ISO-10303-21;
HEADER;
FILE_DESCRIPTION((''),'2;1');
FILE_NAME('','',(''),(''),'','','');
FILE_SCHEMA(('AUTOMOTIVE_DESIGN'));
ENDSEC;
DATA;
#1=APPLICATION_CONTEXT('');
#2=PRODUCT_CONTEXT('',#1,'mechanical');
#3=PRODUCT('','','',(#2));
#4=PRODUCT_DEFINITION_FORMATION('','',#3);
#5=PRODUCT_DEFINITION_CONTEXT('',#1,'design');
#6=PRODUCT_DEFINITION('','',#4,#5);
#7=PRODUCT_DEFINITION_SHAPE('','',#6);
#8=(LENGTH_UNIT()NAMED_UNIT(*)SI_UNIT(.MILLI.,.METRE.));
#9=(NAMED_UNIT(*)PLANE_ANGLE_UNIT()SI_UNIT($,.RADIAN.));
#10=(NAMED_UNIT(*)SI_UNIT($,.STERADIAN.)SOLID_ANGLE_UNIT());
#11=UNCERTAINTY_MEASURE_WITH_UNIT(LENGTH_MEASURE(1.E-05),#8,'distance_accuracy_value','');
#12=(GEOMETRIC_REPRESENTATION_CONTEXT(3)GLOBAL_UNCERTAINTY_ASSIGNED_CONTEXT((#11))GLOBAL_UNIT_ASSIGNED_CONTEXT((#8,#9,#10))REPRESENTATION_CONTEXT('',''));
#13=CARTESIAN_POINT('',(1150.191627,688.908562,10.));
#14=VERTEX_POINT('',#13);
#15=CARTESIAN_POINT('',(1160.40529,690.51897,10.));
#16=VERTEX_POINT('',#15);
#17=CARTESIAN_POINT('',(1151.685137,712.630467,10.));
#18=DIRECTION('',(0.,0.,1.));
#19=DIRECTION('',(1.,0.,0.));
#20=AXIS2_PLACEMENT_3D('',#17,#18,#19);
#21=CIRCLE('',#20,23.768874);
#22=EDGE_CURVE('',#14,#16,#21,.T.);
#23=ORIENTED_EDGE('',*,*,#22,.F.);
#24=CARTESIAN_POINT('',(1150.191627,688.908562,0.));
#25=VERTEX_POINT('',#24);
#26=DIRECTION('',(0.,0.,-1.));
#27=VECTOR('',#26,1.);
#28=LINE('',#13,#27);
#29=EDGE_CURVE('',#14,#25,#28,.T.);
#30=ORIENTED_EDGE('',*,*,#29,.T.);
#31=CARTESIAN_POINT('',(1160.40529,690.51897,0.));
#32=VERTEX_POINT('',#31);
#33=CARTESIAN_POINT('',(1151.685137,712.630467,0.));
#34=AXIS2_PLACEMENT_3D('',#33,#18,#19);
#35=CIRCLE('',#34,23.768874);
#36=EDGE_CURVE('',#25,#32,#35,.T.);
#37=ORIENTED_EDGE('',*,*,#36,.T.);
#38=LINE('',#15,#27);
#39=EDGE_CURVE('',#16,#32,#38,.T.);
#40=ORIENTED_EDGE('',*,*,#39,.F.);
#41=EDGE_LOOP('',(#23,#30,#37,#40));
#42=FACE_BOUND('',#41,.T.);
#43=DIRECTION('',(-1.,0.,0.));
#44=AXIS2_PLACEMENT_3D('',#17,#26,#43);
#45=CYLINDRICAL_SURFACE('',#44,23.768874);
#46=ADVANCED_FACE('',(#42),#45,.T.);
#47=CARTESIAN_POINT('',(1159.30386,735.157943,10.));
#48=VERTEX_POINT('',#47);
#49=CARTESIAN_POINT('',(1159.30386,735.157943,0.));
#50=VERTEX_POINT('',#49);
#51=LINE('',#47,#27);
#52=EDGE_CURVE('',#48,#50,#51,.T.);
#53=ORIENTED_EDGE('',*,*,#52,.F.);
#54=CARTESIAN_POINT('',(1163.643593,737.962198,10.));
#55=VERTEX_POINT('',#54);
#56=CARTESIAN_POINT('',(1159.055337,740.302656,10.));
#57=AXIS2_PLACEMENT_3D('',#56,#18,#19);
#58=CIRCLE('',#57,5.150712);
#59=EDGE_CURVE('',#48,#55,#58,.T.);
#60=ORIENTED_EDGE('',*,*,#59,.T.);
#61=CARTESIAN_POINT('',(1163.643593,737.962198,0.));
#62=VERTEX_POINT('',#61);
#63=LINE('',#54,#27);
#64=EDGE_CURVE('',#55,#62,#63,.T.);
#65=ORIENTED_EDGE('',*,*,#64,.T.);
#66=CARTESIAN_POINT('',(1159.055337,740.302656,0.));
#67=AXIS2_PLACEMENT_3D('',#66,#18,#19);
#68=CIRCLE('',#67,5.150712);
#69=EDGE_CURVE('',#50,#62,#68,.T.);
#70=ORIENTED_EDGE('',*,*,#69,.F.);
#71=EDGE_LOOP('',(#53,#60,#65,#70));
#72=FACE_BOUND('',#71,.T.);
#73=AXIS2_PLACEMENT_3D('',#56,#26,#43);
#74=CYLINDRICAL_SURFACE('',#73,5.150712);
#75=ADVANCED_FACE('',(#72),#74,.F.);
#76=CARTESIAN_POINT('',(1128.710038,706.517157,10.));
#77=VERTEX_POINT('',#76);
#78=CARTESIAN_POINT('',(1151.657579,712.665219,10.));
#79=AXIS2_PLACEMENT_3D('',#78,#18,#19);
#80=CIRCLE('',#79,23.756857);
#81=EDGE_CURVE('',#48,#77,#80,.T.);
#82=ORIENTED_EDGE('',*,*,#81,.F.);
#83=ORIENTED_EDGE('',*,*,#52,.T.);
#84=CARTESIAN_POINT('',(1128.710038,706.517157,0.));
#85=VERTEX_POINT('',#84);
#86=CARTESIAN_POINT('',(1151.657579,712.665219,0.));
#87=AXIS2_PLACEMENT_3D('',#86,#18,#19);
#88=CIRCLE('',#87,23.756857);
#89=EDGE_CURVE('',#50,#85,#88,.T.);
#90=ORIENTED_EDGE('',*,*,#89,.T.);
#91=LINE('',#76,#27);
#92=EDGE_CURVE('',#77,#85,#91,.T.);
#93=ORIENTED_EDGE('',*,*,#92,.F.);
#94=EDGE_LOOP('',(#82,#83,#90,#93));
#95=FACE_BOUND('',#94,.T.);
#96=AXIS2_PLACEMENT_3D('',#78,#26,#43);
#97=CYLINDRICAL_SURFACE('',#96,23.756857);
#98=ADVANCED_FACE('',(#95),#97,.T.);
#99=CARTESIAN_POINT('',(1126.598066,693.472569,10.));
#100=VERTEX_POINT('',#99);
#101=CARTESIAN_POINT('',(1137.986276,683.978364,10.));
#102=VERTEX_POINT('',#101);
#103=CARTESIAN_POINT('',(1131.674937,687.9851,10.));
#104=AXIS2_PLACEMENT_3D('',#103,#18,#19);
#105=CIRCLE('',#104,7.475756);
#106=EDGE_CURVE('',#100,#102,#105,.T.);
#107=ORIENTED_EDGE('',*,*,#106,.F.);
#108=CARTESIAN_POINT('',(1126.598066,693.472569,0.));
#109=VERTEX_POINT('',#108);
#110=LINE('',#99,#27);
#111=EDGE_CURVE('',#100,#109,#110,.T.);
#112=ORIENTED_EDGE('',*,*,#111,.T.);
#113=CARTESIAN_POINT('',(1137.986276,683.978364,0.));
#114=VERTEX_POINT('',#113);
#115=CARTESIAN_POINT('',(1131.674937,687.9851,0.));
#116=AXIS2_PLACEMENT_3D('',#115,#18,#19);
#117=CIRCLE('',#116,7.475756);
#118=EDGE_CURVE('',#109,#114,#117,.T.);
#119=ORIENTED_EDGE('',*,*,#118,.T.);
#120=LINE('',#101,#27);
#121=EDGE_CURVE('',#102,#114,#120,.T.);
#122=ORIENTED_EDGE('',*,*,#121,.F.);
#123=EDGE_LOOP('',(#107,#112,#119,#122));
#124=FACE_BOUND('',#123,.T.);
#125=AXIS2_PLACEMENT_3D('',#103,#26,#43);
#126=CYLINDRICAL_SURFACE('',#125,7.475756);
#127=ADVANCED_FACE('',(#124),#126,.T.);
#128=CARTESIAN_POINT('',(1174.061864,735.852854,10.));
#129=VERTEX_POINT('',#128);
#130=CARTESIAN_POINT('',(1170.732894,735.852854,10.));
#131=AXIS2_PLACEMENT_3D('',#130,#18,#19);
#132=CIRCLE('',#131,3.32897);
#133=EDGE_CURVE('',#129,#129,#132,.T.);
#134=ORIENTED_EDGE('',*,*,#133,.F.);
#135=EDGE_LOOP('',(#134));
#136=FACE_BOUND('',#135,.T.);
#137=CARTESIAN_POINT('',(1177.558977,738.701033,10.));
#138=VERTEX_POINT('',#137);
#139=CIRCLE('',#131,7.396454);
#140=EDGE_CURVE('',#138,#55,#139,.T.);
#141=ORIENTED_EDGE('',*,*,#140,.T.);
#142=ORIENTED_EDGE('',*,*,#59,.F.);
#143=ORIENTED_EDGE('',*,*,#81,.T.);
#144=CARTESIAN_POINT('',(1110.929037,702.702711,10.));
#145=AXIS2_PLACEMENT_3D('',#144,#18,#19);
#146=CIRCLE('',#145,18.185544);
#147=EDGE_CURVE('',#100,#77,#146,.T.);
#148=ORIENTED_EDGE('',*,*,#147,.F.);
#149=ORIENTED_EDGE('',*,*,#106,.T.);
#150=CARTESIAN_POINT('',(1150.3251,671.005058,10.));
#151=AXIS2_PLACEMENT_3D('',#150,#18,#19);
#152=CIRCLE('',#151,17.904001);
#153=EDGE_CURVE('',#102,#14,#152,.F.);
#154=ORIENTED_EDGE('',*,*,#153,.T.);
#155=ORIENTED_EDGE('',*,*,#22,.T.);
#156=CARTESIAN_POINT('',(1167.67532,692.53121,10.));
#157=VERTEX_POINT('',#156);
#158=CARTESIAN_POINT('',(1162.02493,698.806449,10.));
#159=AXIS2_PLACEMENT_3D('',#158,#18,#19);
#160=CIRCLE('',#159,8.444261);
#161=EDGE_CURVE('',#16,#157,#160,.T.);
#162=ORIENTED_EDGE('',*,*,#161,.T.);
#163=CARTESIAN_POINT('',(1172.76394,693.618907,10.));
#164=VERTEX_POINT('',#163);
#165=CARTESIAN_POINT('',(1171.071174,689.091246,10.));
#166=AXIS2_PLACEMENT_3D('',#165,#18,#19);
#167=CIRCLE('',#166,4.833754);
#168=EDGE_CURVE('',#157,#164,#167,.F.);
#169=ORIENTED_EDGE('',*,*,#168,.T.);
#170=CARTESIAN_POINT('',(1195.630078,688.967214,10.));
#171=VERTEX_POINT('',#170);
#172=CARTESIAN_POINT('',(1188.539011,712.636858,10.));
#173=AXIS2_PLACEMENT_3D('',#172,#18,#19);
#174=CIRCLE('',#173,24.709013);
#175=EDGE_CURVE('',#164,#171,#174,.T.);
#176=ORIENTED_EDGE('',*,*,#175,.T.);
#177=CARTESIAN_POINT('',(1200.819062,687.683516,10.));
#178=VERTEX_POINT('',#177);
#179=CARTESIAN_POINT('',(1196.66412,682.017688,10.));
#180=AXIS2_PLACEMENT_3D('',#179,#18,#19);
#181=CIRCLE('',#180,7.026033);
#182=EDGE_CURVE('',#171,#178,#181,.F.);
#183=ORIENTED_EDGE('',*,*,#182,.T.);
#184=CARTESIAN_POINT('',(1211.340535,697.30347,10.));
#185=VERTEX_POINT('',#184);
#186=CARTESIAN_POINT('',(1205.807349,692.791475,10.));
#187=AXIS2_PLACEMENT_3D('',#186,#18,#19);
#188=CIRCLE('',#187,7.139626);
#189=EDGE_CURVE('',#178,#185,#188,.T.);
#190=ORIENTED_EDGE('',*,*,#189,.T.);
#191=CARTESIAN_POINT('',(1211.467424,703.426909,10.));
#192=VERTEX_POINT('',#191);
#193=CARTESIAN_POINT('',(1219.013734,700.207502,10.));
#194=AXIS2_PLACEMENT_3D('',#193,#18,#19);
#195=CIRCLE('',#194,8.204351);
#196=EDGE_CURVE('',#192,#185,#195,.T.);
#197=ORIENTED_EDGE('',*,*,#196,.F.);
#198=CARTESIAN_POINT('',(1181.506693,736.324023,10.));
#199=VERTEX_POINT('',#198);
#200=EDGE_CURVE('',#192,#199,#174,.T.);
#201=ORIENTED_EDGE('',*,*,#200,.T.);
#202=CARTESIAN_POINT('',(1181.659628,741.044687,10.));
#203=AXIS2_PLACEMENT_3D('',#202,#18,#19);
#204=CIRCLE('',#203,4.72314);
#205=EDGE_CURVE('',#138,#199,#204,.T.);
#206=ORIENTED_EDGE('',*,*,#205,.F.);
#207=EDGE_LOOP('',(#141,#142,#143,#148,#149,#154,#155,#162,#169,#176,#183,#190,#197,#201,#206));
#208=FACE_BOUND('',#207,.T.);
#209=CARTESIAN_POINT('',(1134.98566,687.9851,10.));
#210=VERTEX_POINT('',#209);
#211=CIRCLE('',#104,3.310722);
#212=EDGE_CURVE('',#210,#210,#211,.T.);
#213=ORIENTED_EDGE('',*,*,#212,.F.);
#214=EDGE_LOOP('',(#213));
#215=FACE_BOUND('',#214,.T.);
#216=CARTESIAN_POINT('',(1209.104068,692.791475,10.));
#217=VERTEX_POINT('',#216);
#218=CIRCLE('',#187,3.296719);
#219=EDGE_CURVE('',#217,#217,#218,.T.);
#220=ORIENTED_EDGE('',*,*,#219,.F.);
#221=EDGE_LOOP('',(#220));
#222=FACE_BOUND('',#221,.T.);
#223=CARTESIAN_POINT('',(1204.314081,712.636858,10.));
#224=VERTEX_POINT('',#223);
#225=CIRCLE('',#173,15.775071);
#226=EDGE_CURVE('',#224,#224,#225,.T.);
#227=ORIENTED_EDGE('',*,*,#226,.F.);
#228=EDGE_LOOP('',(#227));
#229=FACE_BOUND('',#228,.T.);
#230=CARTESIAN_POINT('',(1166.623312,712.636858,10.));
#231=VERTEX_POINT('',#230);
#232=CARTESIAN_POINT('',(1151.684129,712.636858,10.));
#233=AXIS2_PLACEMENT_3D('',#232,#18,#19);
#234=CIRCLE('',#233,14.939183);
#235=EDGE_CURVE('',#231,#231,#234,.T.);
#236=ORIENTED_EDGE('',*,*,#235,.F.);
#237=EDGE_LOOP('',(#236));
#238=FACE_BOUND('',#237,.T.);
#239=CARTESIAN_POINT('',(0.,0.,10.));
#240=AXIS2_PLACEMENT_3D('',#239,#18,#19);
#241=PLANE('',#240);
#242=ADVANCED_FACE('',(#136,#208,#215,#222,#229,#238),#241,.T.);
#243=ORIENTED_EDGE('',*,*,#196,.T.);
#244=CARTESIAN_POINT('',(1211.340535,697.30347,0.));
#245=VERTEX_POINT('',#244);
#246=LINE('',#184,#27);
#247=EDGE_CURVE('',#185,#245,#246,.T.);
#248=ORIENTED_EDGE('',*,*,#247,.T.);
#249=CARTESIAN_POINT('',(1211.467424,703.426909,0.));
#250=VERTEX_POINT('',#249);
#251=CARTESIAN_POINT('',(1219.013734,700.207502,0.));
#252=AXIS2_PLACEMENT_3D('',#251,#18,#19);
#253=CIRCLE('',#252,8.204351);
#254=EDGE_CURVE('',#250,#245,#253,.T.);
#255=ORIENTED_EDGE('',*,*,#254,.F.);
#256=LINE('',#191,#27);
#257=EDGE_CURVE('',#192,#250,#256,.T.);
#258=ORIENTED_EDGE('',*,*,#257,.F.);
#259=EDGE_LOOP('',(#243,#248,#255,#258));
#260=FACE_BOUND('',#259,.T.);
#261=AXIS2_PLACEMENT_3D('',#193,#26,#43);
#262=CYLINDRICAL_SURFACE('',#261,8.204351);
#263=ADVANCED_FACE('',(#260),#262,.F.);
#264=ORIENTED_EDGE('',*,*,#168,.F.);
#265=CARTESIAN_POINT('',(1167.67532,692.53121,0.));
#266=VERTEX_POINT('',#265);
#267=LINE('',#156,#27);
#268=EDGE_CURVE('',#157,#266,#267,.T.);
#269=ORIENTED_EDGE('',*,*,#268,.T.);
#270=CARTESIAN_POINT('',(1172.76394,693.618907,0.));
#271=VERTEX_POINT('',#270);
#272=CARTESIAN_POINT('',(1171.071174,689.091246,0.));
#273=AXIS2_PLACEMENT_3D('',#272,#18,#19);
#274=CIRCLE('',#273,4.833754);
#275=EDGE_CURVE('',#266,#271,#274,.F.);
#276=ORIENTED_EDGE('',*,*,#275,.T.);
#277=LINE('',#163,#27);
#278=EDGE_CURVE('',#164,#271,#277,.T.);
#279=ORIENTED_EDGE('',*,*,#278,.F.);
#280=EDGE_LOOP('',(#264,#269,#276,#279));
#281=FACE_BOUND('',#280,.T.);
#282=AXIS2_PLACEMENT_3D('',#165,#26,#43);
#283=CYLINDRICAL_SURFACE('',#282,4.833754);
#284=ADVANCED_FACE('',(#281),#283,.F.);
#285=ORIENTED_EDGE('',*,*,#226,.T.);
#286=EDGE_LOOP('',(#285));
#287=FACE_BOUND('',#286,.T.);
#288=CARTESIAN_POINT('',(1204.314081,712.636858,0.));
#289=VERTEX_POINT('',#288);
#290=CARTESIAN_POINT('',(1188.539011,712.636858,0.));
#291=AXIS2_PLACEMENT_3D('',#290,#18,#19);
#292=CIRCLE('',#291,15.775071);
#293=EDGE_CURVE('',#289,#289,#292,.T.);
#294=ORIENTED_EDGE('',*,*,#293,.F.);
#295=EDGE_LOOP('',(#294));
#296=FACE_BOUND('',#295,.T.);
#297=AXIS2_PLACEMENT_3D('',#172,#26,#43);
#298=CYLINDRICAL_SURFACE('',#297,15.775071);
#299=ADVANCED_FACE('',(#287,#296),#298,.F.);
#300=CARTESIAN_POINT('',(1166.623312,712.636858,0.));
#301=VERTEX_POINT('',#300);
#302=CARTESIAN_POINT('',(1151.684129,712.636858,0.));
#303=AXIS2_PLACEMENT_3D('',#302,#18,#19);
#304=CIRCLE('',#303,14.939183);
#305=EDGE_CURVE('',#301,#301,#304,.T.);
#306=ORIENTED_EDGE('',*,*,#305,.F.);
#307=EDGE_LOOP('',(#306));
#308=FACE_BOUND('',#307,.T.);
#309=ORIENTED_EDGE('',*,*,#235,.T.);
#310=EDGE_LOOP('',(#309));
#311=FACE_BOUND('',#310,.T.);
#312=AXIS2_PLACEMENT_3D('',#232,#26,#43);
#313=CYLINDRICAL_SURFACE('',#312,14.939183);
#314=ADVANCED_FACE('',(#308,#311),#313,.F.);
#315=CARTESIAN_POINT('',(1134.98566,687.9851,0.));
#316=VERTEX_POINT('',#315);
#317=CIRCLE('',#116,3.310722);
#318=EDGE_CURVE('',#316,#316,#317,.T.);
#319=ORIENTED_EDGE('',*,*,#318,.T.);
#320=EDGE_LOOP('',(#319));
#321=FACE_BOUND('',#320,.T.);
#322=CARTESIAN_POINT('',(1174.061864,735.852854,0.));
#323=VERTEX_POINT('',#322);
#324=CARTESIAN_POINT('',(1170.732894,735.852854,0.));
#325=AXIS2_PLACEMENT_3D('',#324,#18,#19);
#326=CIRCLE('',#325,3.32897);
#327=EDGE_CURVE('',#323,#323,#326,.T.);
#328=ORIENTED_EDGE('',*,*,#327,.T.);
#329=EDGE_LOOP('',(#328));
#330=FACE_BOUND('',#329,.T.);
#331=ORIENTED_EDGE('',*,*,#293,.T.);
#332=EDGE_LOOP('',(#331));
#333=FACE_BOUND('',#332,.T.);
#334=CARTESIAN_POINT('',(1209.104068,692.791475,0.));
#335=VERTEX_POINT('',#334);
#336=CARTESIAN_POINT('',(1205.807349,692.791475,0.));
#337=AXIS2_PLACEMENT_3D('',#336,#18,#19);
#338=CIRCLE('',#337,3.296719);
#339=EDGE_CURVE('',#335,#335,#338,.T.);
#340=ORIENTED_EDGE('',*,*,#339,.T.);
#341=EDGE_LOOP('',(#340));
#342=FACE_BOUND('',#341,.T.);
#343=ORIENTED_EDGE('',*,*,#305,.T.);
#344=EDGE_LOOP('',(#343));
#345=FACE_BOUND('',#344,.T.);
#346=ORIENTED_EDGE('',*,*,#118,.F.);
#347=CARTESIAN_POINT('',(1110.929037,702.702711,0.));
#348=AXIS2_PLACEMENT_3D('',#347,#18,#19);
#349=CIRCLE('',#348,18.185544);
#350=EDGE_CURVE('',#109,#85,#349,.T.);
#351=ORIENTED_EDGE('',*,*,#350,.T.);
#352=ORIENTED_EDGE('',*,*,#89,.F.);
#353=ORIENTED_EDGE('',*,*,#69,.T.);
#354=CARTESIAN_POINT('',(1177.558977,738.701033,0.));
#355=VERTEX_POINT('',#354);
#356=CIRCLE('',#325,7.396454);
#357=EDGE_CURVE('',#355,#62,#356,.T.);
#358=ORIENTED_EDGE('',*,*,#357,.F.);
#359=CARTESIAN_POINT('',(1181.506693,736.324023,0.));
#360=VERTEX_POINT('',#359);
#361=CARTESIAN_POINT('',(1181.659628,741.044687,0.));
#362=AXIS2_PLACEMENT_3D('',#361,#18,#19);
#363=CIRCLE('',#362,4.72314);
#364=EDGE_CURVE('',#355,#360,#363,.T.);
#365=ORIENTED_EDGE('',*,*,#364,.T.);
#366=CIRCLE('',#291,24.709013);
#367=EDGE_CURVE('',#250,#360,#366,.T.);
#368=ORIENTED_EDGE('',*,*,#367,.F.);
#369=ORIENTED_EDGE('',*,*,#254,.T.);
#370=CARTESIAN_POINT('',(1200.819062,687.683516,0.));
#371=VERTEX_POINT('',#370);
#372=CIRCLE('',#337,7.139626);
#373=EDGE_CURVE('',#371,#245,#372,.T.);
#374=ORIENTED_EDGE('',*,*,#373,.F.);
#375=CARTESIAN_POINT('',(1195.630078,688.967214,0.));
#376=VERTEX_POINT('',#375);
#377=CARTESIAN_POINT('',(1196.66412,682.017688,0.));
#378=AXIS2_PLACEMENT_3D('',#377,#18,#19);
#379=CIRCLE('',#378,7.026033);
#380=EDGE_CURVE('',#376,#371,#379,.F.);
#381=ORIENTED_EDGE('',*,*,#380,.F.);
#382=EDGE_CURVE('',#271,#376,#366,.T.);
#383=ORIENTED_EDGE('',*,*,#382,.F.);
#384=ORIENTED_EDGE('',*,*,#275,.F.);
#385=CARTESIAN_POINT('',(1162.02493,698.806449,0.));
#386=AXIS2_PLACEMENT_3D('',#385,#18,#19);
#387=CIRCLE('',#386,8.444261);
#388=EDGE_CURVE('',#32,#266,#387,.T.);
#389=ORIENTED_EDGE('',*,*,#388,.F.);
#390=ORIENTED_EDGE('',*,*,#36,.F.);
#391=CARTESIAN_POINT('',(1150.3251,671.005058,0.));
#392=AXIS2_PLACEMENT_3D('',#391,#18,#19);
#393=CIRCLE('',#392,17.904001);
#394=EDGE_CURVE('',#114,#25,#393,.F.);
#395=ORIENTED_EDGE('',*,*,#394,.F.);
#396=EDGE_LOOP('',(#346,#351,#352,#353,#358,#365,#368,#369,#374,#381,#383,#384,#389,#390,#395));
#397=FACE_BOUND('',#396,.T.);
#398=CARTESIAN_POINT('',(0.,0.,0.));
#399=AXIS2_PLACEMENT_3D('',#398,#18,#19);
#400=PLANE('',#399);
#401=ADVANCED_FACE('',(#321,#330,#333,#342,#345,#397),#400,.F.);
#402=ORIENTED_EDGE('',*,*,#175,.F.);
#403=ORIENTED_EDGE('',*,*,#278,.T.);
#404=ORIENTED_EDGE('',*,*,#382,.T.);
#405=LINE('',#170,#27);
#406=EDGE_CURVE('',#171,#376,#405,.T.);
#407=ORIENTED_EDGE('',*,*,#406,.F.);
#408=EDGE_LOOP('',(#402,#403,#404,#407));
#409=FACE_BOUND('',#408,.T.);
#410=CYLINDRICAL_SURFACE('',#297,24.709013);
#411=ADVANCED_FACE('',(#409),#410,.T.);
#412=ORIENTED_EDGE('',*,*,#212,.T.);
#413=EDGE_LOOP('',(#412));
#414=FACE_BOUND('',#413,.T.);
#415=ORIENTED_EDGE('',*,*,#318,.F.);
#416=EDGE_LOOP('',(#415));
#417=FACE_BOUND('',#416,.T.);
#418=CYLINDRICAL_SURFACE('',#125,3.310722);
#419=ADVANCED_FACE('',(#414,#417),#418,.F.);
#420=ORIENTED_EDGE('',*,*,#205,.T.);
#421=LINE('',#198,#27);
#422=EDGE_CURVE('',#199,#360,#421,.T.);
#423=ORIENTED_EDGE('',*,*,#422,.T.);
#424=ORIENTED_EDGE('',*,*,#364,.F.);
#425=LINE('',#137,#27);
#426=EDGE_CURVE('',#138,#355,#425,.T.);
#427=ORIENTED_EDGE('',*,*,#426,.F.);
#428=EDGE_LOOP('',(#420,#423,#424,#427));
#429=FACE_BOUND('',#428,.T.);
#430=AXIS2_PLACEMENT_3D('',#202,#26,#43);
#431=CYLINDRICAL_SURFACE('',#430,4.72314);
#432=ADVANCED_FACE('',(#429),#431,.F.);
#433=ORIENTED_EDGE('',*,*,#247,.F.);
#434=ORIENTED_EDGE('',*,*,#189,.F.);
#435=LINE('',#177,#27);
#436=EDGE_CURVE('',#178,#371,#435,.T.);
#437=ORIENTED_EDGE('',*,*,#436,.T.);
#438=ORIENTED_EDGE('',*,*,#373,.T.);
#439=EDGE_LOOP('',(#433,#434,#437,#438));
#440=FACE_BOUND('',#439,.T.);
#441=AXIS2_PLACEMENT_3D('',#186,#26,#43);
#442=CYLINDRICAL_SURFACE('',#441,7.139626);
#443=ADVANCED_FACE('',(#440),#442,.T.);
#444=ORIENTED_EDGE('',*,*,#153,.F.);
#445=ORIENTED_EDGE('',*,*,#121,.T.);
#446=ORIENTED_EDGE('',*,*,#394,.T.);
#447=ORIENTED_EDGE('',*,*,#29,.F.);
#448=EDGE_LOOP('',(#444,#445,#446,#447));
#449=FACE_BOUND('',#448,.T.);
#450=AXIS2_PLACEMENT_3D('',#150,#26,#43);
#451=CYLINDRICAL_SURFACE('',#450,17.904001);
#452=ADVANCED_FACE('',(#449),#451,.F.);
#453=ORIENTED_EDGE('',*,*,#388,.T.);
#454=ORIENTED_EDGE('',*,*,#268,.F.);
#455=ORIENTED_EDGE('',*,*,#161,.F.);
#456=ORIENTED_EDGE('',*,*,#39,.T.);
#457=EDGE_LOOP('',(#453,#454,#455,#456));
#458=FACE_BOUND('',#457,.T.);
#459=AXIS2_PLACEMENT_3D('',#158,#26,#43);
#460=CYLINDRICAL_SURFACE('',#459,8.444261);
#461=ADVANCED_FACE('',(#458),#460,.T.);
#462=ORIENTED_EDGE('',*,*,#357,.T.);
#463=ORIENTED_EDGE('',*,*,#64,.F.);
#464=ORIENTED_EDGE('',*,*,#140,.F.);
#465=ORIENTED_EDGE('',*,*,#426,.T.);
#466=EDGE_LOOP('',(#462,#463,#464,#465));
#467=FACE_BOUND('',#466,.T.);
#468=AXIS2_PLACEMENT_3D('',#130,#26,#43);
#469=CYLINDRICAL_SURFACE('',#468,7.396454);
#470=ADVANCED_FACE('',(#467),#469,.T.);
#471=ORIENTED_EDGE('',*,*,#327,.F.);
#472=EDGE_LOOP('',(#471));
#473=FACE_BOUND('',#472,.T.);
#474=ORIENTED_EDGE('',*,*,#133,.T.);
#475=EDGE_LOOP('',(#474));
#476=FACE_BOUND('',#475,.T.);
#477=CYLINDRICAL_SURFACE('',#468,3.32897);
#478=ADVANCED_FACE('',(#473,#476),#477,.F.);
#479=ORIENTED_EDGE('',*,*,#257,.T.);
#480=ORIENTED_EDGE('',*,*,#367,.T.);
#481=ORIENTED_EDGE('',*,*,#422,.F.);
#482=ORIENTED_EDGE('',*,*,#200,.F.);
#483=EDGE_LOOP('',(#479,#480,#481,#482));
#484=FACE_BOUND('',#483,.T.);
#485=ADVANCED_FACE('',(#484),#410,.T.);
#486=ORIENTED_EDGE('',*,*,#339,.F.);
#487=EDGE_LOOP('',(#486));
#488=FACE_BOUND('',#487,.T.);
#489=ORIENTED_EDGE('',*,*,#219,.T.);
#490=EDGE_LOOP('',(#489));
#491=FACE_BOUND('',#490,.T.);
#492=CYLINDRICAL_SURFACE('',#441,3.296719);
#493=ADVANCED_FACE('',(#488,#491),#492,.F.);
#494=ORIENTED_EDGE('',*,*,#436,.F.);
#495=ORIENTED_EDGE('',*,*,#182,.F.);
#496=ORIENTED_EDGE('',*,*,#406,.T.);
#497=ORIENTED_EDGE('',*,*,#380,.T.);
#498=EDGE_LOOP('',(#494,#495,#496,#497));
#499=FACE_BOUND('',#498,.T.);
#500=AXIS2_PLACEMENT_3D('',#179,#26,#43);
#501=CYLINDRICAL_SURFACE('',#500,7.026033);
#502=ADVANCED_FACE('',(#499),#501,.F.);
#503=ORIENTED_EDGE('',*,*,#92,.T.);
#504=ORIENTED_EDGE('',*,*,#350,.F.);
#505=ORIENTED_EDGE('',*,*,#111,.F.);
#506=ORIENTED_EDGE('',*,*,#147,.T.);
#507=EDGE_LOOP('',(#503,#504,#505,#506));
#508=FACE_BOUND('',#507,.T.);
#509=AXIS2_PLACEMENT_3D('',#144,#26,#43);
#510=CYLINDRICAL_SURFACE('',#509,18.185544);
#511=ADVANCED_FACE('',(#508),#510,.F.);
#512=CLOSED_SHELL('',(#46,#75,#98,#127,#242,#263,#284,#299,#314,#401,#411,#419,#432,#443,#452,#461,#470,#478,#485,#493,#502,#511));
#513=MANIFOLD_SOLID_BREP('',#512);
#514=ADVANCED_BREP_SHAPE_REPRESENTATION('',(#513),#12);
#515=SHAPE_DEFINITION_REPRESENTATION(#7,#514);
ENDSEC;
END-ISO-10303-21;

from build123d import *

# Parameters (mm, degrees)
SKETCH2_R           = 3.310722334
SKETCH2_R_2         = 3.296718814
SKETCH2_R_3         = 14.939183171
SKETCH2_R_4         = 15.775070875
SKETCH2_R_5         = 3.328969896
BOSS_EXTRUDE1_DEPTH = 10


with BuildPart() as part:
    # Sketch2 → Boss-Extrude1 (new body)
    with BuildSketch(Plane.XY):
        with BuildLine():
            ThreePointArc((1167.675319769, 692.531209966), (1170.060778441, 693.818219259), (1172.763939692, 693.618907326))
            ThreePointArc((1172.763939692, 693.618907326), (1183.613308441, 688.423787767), (1195.630078304, 688.967213524))
            ThreePointArc((1195.630078304, 688.967213524), (1198.351418182, 688.838111227), (1200.819062261, 687.683515696))
            ThreePointArc((1200.819062261, 687.683515696), (1210.625036277, 687.522306041), (1211.340535268, 697.303470396))
            ThreePointArc((1211.340535268, 697.303470396), (1210.809475012, 700.246380188), (1211.368402544, 703.184124739))
            ThreePointArc((1211.368402544, 703.184124739), (1211.41694342, 703.305912697), (1211.4674242, 703.42690945))
            ThreePointArc((1211.4674242, 703.42690945), (1206.80719309, 729.274429889), (1181.506693094, 736.324023269))
            ThreePointArc((1181.506693094, 736.324023269), (1179.223280206, 736.998421734), (1177.558977414, 738.701032648))
            ThreePointArc((1177.558977414, 738.701032648), (1170.340733714, 743.238904055), (1163.643592882, 737.962198293))
            ThreePointArc((1163.643592882, 737.962198293), (1161.850792017, 735.976541745), (1159.303859855, 735.157943289))
            ThreePointArc((1159.303859855, 735.157943289), (1135.421637358, 730.00830056), (1128.710038296, 706.517157342))
            ThreePointArc((1128.710038296, 706.517157342), (1128.880818562, 699.796244734), (1126.59806647, 693.472568978))
            ThreePointArc((1126.59806647, 693.472568978), (1126.887875726, 682.243065003), (1137.986275865, 683.978364196))
            ThreePointArc((1137.986275865, 683.978364196), (1143.619411431, 687.605871257), (1150.191627268, 688.908561852))
            ThreePointArc((1150.191627268, 688.908561852), (1155.387088921, 689.151648756), (1160.40529024, 690.518970431))
            ThreePointArc((1160.40529024, 690.518970431), (1164.277487038, 690.668174132), (1167.675319769, 692.531209966))
        make_face()
        with Locations((1131.674937322, 687.985100392)):
            Circle(SKETCH2_R, mode=Mode.SUBTRACT)
        with Locations((1205.807348969, 692.791475029)):
            Circle(SKETCH2_R_2, mode=Mode.SUBTRACT)
        with Locations((1151.684129253, 712.636857749)):
            Circle(SKETCH2_R_3, mode=Mode.SUBTRACT)
        with Locations((1188.539010567, 712.636857749)):
            Circle(SKETCH2_R_4, mode=Mode.SUBTRACT)
        with Locations((1170.732894481, 735.852853522)):
            Circle(SKETCH2_R_5, mode=Mode.SUBTRACT)
    extrude(amount=BOSS_EXTRUDE1_DEPTH)


solid = part.part
